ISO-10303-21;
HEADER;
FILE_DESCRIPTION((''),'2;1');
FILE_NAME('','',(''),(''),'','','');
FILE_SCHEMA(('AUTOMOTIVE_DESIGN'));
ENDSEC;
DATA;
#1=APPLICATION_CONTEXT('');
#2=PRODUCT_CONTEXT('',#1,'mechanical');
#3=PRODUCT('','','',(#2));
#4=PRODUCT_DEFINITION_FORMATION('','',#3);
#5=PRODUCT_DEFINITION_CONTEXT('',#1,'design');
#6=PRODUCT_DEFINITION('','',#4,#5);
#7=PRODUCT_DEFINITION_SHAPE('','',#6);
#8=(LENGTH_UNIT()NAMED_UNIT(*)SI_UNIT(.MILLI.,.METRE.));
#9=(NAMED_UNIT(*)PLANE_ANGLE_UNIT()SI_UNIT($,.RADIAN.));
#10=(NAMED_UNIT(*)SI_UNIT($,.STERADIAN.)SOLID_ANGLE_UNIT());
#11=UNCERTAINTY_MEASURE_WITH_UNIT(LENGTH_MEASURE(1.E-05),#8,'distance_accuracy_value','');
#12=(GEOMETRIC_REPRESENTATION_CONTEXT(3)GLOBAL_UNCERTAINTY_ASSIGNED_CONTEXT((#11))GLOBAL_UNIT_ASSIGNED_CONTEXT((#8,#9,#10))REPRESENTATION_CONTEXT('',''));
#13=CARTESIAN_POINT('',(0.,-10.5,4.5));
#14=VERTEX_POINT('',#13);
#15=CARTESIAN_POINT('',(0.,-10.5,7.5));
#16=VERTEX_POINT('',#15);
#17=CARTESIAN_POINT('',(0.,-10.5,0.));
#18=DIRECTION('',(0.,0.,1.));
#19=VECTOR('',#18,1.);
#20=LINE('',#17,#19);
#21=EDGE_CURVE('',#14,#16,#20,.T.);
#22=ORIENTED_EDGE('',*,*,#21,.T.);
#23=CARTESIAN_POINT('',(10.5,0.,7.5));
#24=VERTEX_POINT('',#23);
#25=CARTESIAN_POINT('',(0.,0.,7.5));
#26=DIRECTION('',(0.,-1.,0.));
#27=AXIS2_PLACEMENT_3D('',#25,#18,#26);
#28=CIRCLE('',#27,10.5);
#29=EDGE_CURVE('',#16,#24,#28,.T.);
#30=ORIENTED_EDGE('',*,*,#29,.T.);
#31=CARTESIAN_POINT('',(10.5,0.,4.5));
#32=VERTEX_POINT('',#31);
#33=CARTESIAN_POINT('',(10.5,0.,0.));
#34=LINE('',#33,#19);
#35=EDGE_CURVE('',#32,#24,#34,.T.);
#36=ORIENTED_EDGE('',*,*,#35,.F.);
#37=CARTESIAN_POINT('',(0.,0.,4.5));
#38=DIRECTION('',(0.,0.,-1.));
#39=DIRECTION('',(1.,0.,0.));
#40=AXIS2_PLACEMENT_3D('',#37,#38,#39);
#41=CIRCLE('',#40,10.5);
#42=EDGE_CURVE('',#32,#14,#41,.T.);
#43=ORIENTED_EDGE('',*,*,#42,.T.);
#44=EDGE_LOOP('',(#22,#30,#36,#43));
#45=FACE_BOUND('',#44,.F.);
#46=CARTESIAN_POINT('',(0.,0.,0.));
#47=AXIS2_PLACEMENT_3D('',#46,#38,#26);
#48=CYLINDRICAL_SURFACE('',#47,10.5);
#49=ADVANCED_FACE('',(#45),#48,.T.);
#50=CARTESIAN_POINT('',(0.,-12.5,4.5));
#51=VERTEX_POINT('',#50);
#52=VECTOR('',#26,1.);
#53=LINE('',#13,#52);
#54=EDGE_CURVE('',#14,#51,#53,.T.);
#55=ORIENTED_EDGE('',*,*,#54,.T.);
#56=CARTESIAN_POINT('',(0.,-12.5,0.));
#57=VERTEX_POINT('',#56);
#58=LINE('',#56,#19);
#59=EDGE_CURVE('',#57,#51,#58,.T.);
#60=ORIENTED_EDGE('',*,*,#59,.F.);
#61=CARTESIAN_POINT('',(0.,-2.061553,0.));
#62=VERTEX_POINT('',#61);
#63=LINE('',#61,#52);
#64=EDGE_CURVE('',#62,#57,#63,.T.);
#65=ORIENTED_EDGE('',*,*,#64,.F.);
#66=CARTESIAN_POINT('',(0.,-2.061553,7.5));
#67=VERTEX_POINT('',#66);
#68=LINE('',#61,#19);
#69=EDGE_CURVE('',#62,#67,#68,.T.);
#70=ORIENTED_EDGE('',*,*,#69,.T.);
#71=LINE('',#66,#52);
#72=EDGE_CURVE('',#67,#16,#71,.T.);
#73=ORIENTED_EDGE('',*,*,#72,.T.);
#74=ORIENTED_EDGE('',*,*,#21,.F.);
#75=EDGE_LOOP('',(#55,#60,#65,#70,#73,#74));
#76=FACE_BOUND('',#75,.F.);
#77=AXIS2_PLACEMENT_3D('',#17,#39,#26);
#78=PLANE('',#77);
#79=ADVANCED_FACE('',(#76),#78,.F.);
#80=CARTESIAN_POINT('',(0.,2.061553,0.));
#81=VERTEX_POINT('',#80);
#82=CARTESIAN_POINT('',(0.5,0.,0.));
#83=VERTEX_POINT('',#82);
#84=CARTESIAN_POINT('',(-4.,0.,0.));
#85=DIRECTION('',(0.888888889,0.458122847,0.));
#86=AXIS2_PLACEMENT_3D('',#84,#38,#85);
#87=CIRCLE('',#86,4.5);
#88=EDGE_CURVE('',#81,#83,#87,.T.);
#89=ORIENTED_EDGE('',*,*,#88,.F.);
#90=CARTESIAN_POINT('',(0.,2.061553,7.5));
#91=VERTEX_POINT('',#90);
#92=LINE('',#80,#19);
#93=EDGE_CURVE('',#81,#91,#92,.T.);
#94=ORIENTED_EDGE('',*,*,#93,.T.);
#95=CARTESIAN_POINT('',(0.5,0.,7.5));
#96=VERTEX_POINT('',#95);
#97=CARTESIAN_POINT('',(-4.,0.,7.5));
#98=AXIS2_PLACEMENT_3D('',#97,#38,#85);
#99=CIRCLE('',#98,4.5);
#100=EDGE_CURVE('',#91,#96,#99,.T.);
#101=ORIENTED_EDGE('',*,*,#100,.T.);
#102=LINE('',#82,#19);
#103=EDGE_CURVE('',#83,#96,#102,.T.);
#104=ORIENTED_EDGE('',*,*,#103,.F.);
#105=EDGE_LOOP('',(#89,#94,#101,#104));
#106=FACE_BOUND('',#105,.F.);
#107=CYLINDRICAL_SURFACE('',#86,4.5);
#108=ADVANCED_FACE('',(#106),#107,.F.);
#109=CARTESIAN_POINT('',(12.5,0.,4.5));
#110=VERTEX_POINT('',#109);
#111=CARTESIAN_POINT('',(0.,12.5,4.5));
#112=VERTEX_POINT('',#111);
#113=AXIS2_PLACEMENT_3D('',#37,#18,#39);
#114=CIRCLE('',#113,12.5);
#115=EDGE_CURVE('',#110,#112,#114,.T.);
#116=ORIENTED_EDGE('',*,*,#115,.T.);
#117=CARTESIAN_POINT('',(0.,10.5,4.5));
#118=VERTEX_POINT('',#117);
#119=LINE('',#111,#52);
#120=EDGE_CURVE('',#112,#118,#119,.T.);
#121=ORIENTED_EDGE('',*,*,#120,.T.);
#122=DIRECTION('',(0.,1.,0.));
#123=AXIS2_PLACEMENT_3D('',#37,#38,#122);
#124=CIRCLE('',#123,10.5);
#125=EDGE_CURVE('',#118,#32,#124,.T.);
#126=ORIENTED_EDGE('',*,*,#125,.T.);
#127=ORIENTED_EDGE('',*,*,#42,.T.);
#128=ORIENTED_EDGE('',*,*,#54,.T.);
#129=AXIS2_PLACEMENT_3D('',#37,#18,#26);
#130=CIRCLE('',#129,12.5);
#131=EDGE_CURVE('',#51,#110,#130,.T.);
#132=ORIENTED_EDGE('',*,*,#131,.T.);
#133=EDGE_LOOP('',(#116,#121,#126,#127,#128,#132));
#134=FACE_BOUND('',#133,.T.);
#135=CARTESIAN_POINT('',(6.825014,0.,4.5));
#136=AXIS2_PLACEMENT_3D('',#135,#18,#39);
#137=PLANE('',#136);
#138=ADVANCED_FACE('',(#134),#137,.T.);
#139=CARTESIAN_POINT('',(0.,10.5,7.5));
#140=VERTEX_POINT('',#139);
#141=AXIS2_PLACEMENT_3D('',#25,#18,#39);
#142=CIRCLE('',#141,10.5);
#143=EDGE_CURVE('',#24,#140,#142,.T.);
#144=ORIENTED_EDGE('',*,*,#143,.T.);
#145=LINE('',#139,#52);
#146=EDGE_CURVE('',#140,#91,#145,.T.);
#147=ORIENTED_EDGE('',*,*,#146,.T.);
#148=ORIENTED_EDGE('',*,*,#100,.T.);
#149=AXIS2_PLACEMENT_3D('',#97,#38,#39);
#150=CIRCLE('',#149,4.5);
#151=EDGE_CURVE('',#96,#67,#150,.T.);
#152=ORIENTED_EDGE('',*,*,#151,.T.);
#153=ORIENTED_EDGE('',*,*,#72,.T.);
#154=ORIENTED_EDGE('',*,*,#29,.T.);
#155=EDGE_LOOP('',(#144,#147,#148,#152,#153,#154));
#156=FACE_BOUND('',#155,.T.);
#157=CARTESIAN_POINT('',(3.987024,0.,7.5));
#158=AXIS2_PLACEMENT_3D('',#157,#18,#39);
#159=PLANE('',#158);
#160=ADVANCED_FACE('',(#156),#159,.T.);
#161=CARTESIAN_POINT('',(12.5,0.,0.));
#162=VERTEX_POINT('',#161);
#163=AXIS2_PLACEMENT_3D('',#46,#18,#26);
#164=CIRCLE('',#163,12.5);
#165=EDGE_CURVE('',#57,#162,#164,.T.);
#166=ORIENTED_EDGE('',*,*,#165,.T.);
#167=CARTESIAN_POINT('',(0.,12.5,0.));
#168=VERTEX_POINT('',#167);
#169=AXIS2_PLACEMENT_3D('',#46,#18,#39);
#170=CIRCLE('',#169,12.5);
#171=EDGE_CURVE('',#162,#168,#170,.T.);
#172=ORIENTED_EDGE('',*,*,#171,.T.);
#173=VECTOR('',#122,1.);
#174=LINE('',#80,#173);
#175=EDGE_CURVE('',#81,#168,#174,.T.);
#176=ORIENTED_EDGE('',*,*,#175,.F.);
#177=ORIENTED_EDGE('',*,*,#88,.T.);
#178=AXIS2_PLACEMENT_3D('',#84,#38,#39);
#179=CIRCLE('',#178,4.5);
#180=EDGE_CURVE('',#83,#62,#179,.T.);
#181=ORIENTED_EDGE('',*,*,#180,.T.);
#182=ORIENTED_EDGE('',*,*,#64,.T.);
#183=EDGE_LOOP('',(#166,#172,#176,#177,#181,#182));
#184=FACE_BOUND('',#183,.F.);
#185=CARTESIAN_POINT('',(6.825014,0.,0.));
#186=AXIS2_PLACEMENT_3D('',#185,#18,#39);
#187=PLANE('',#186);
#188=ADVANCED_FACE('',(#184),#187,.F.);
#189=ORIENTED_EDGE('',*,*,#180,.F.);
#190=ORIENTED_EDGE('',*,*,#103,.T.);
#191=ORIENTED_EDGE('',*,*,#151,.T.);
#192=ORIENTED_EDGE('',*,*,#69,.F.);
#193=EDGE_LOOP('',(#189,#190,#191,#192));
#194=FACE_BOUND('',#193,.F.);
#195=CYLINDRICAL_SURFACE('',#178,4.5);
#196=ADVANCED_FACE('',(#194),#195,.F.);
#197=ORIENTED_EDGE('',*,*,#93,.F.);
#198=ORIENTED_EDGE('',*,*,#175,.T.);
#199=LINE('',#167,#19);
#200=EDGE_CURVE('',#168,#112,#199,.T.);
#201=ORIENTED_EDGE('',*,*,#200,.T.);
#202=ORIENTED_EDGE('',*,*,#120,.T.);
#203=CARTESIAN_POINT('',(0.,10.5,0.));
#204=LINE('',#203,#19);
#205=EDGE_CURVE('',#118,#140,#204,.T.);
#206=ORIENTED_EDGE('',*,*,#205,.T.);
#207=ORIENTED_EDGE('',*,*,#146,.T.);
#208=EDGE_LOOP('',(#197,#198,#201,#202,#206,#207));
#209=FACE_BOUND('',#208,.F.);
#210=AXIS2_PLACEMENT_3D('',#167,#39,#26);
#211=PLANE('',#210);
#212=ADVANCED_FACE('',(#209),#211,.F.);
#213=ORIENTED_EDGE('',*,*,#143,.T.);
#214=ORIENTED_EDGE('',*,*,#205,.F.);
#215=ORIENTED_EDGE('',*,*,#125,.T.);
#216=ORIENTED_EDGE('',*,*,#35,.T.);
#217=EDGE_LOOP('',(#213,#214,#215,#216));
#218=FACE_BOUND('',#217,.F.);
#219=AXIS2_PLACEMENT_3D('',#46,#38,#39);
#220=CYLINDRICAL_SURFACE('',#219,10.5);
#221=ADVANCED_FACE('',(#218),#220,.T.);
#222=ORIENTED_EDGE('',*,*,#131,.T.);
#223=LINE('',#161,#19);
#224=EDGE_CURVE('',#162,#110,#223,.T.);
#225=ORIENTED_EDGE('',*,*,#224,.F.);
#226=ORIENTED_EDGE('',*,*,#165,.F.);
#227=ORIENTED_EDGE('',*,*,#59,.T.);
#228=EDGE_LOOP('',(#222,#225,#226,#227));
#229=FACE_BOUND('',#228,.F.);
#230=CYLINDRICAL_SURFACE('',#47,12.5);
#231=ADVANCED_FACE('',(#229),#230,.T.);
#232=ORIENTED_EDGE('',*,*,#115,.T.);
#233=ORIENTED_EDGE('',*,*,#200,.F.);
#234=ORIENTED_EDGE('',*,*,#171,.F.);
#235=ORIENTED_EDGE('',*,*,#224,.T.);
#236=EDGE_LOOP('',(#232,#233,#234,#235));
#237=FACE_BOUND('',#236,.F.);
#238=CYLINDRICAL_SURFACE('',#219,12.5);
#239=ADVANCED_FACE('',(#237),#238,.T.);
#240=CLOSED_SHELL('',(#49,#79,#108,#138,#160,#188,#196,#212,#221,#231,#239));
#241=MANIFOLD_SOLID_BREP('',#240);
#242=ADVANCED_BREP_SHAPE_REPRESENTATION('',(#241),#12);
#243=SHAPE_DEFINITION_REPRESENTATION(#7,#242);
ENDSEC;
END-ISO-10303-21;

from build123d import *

# Parameters (mm, degrees)
F1_DEPTH = 7.5
F2_DEPTH = 4.5


with BuildPart() as f1:
    # F0 (on Top) → F1 (new body)
    with BuildSketch(Plane.XY):
        with BuildLine():
            ThreePointArc((0, -10.5), (7.4246212025, -7.4246212025), (10.5, 0))
            ThreePointArc((10.5, 0), (7.4246212025, 7.4246212025), (0, 10.5))
            Line((0, 10.5), (0, 2.0615528128))
            ThreePointArc((0, 2.0615528128), (0.3732139211, 1.0606601718), (0.5, 0))
            ThreePointArc((0.5, 0), (0.3732139211, -1.0606601718), (0, -2.0615528128))
            Line((0, -2.0615528128), (0, -10.5))
        make_face()
    extrude(amount=F1_DEPTH)

    # F0 (on Top) → F2 (join)
    with BuildSketch(Plane.XY):
        with BuildLine():
            ThreePointArc((0, 10.5), (7.4246212025, 7.4246212025), (10.5, 0))
            ThreePointArc((10.5, 0), (7.4246212025, -7.4246212025), (0, -10.5))
            Line((0, -10.5), (0, -12.5))
            ThreePointArc((0, -12.5), (8.8388347648, -8.8388347648), (12.5, 0))
            ThreePointArc((12.5, 0), (8.8388347648, 8.8388347648), (0, 12.5))
            Line((0, 12.5), (0, 10.5))
        make_face()
    extrude(amount=F2_DEPTH)


solid = f1.part
